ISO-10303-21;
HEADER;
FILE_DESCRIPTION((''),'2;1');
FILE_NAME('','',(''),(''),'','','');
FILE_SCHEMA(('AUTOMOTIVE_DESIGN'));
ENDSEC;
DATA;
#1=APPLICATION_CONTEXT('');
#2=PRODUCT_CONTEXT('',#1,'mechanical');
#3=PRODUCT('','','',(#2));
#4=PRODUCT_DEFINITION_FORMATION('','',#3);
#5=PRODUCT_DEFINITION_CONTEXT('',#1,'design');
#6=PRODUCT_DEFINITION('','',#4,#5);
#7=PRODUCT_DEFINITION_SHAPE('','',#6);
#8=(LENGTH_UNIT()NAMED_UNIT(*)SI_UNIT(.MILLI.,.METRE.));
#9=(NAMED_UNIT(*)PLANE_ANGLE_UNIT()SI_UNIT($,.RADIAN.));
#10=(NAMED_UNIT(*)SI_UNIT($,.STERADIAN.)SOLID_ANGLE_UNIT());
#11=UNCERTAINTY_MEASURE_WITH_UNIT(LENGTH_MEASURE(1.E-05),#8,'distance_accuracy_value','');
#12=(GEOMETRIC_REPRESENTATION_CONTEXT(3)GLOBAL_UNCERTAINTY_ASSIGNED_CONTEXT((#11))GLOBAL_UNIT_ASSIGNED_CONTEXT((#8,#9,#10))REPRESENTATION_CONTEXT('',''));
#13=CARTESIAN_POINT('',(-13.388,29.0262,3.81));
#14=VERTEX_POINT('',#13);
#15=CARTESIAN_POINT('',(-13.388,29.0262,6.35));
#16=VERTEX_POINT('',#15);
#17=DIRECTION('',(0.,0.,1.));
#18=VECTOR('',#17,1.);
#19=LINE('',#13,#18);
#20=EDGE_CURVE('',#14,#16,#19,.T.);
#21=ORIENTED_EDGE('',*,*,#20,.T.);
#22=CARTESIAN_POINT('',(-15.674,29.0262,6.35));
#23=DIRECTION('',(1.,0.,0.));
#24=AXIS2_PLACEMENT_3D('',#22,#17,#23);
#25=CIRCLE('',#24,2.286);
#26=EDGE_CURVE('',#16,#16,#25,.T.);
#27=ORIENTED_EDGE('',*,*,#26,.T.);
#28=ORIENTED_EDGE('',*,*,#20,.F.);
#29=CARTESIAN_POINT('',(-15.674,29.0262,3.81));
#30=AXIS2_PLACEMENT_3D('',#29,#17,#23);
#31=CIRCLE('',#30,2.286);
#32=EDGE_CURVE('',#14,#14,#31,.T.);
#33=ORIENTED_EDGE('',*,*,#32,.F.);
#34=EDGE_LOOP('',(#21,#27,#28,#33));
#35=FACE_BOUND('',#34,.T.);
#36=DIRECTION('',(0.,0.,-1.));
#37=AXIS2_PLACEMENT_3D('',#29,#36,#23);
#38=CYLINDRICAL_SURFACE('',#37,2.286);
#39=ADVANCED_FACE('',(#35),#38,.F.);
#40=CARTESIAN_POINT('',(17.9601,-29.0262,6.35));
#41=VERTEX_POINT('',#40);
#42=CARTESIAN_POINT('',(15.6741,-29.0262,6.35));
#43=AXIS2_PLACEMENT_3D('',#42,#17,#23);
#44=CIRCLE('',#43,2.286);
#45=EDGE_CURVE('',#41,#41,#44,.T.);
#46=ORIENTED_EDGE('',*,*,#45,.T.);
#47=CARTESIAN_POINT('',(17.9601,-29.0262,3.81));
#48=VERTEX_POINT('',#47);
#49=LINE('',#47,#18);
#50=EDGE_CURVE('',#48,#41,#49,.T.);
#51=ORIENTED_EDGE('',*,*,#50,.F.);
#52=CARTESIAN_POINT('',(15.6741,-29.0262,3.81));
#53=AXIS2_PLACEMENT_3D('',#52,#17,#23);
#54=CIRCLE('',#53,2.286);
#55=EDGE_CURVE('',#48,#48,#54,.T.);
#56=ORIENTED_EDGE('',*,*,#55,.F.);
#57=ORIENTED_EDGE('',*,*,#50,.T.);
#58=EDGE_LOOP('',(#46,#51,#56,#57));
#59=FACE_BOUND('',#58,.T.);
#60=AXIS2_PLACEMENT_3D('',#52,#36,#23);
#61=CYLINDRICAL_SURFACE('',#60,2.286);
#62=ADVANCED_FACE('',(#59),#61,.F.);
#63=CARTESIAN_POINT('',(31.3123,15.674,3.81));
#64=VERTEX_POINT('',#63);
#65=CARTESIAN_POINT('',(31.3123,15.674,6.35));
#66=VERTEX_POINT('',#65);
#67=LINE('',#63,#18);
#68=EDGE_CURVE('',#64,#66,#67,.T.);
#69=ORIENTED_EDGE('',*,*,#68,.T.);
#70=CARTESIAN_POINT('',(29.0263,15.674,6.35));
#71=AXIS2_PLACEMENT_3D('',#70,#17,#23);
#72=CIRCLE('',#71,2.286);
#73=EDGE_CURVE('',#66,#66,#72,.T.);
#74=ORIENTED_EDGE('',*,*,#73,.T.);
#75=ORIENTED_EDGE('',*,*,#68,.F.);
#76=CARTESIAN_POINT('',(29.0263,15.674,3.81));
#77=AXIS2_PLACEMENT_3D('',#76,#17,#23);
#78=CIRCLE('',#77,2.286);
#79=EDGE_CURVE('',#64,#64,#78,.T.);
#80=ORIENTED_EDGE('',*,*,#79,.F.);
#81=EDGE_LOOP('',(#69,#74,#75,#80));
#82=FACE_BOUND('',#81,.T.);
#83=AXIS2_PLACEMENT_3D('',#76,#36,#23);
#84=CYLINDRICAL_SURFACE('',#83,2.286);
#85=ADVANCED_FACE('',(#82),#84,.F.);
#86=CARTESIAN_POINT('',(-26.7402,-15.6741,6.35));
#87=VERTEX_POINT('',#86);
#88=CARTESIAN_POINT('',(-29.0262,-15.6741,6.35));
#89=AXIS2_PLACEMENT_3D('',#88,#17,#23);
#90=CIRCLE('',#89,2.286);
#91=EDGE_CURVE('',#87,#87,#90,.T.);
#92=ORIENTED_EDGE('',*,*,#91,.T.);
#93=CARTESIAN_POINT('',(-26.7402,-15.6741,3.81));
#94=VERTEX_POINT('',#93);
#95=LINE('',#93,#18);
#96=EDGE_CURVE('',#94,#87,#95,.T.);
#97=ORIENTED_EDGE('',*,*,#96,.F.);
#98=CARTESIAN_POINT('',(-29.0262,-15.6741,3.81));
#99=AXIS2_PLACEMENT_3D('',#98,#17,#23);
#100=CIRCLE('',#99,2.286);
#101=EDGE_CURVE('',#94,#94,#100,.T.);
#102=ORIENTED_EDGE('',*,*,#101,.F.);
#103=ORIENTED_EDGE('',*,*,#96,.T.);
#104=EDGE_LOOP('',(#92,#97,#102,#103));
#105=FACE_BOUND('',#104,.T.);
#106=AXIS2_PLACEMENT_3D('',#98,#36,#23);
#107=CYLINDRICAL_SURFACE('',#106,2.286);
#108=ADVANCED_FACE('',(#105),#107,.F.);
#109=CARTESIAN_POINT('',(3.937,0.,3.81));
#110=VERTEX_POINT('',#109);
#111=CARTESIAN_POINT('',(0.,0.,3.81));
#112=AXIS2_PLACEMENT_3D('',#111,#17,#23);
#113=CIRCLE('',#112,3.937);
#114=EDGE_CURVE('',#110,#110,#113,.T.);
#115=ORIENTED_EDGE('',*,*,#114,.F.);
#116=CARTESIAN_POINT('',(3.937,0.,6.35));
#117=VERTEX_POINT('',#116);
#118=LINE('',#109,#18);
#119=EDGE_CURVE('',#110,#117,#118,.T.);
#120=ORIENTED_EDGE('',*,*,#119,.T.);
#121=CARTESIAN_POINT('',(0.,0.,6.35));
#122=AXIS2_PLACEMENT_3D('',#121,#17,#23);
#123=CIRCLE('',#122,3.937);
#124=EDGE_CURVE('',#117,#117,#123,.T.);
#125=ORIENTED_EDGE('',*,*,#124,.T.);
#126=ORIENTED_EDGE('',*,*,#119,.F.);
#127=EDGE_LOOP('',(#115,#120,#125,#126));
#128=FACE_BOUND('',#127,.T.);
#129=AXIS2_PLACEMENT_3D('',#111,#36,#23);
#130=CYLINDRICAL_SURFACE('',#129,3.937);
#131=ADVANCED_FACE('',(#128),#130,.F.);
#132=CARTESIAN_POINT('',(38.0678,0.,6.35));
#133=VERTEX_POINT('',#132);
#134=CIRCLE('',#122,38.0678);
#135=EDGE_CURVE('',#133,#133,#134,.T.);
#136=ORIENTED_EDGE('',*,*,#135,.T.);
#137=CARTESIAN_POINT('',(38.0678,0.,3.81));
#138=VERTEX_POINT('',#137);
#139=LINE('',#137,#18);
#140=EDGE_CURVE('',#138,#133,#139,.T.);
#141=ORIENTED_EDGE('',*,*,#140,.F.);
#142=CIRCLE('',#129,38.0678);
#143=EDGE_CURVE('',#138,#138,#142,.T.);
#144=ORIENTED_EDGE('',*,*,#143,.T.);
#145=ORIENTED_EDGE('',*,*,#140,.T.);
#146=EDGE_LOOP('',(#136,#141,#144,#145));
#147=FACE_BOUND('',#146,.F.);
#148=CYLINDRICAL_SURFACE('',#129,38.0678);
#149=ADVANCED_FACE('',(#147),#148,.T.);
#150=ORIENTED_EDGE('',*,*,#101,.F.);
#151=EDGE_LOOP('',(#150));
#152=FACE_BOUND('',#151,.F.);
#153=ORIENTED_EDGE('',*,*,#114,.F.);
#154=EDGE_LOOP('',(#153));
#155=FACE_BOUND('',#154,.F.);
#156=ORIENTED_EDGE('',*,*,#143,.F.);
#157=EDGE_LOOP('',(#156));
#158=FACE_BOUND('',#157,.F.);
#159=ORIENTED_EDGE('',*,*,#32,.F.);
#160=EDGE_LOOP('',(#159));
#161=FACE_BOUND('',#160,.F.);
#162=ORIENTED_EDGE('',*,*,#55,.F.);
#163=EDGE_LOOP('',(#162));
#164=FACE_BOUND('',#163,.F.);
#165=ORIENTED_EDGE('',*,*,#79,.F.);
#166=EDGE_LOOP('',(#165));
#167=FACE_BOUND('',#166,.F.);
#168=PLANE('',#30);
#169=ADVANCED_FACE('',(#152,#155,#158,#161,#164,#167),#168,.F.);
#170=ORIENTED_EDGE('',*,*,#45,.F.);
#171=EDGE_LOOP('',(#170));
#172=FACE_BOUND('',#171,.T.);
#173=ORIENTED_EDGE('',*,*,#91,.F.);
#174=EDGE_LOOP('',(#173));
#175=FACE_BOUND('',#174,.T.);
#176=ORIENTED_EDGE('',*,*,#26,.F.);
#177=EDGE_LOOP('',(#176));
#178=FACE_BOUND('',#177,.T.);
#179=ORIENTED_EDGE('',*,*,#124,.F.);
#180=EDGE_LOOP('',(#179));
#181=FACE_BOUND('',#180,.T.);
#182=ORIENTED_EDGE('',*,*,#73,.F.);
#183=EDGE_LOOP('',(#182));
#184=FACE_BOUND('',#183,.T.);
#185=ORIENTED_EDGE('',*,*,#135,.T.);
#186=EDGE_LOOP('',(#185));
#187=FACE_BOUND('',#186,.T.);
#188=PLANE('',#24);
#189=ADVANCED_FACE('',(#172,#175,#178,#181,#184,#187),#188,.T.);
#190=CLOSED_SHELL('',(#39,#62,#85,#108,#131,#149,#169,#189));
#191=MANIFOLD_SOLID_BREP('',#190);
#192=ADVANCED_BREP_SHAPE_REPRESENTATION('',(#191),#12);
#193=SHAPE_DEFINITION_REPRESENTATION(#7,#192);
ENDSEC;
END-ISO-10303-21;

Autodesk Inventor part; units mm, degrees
ref_plane "YZ Plane" through (0, 0, 0) normal (1, 0, 0) x (0, 1, 0)
ref_plane "XZ Plane" through (0, 0, 0) normal (0, 1, 0) x (-1, 0, 0)
ref_plane "Work Plane1" through (0, 0, 0) normal (0, 0, 1) x (1, 0, 0)
ref_plane "Work Plane2" through (-15.674, 29.0262, 3.81) normal (0, 0, 1) x (1, 0, 0)
sketch "Sketch2" plane through (-15.674, 29.0262, 3.81) normal (0, 0, 1) x (1, 0, 0)
  circle A0 centre (0, 0) radius 5.08 projected
  circle A1 centre (0, 0) radius 2.286 projected
  circle A2 centre (44.7003, -13.3522) radius 5.08 projected
  circle A3 centre (44.7003, -13.3522) radius 2.286 projected
  circle A4 centre (31.3481, -58.0524) radius 2.286 projected
  circle A5 centre (31.3481, -58.0524) radius 5.08 projected
  circle A6 centre (-13.3522, -44.7003) radius 2.286 projected
  circle A7 centre (-13.3522, -44.7003) radius 5.08 projected
  circle A8 centre (15.674, -29.0262) radius 38.0678
  circle A9 centre (15.674, -29.0262) radius 3.937
  dimension "d7" = 7.874
extrude "Extrusion2" add sketch "Sketch2" along normal blind 2.54 contours A0 | A7 | A5 | A2 | A8
properties part number "cover"
